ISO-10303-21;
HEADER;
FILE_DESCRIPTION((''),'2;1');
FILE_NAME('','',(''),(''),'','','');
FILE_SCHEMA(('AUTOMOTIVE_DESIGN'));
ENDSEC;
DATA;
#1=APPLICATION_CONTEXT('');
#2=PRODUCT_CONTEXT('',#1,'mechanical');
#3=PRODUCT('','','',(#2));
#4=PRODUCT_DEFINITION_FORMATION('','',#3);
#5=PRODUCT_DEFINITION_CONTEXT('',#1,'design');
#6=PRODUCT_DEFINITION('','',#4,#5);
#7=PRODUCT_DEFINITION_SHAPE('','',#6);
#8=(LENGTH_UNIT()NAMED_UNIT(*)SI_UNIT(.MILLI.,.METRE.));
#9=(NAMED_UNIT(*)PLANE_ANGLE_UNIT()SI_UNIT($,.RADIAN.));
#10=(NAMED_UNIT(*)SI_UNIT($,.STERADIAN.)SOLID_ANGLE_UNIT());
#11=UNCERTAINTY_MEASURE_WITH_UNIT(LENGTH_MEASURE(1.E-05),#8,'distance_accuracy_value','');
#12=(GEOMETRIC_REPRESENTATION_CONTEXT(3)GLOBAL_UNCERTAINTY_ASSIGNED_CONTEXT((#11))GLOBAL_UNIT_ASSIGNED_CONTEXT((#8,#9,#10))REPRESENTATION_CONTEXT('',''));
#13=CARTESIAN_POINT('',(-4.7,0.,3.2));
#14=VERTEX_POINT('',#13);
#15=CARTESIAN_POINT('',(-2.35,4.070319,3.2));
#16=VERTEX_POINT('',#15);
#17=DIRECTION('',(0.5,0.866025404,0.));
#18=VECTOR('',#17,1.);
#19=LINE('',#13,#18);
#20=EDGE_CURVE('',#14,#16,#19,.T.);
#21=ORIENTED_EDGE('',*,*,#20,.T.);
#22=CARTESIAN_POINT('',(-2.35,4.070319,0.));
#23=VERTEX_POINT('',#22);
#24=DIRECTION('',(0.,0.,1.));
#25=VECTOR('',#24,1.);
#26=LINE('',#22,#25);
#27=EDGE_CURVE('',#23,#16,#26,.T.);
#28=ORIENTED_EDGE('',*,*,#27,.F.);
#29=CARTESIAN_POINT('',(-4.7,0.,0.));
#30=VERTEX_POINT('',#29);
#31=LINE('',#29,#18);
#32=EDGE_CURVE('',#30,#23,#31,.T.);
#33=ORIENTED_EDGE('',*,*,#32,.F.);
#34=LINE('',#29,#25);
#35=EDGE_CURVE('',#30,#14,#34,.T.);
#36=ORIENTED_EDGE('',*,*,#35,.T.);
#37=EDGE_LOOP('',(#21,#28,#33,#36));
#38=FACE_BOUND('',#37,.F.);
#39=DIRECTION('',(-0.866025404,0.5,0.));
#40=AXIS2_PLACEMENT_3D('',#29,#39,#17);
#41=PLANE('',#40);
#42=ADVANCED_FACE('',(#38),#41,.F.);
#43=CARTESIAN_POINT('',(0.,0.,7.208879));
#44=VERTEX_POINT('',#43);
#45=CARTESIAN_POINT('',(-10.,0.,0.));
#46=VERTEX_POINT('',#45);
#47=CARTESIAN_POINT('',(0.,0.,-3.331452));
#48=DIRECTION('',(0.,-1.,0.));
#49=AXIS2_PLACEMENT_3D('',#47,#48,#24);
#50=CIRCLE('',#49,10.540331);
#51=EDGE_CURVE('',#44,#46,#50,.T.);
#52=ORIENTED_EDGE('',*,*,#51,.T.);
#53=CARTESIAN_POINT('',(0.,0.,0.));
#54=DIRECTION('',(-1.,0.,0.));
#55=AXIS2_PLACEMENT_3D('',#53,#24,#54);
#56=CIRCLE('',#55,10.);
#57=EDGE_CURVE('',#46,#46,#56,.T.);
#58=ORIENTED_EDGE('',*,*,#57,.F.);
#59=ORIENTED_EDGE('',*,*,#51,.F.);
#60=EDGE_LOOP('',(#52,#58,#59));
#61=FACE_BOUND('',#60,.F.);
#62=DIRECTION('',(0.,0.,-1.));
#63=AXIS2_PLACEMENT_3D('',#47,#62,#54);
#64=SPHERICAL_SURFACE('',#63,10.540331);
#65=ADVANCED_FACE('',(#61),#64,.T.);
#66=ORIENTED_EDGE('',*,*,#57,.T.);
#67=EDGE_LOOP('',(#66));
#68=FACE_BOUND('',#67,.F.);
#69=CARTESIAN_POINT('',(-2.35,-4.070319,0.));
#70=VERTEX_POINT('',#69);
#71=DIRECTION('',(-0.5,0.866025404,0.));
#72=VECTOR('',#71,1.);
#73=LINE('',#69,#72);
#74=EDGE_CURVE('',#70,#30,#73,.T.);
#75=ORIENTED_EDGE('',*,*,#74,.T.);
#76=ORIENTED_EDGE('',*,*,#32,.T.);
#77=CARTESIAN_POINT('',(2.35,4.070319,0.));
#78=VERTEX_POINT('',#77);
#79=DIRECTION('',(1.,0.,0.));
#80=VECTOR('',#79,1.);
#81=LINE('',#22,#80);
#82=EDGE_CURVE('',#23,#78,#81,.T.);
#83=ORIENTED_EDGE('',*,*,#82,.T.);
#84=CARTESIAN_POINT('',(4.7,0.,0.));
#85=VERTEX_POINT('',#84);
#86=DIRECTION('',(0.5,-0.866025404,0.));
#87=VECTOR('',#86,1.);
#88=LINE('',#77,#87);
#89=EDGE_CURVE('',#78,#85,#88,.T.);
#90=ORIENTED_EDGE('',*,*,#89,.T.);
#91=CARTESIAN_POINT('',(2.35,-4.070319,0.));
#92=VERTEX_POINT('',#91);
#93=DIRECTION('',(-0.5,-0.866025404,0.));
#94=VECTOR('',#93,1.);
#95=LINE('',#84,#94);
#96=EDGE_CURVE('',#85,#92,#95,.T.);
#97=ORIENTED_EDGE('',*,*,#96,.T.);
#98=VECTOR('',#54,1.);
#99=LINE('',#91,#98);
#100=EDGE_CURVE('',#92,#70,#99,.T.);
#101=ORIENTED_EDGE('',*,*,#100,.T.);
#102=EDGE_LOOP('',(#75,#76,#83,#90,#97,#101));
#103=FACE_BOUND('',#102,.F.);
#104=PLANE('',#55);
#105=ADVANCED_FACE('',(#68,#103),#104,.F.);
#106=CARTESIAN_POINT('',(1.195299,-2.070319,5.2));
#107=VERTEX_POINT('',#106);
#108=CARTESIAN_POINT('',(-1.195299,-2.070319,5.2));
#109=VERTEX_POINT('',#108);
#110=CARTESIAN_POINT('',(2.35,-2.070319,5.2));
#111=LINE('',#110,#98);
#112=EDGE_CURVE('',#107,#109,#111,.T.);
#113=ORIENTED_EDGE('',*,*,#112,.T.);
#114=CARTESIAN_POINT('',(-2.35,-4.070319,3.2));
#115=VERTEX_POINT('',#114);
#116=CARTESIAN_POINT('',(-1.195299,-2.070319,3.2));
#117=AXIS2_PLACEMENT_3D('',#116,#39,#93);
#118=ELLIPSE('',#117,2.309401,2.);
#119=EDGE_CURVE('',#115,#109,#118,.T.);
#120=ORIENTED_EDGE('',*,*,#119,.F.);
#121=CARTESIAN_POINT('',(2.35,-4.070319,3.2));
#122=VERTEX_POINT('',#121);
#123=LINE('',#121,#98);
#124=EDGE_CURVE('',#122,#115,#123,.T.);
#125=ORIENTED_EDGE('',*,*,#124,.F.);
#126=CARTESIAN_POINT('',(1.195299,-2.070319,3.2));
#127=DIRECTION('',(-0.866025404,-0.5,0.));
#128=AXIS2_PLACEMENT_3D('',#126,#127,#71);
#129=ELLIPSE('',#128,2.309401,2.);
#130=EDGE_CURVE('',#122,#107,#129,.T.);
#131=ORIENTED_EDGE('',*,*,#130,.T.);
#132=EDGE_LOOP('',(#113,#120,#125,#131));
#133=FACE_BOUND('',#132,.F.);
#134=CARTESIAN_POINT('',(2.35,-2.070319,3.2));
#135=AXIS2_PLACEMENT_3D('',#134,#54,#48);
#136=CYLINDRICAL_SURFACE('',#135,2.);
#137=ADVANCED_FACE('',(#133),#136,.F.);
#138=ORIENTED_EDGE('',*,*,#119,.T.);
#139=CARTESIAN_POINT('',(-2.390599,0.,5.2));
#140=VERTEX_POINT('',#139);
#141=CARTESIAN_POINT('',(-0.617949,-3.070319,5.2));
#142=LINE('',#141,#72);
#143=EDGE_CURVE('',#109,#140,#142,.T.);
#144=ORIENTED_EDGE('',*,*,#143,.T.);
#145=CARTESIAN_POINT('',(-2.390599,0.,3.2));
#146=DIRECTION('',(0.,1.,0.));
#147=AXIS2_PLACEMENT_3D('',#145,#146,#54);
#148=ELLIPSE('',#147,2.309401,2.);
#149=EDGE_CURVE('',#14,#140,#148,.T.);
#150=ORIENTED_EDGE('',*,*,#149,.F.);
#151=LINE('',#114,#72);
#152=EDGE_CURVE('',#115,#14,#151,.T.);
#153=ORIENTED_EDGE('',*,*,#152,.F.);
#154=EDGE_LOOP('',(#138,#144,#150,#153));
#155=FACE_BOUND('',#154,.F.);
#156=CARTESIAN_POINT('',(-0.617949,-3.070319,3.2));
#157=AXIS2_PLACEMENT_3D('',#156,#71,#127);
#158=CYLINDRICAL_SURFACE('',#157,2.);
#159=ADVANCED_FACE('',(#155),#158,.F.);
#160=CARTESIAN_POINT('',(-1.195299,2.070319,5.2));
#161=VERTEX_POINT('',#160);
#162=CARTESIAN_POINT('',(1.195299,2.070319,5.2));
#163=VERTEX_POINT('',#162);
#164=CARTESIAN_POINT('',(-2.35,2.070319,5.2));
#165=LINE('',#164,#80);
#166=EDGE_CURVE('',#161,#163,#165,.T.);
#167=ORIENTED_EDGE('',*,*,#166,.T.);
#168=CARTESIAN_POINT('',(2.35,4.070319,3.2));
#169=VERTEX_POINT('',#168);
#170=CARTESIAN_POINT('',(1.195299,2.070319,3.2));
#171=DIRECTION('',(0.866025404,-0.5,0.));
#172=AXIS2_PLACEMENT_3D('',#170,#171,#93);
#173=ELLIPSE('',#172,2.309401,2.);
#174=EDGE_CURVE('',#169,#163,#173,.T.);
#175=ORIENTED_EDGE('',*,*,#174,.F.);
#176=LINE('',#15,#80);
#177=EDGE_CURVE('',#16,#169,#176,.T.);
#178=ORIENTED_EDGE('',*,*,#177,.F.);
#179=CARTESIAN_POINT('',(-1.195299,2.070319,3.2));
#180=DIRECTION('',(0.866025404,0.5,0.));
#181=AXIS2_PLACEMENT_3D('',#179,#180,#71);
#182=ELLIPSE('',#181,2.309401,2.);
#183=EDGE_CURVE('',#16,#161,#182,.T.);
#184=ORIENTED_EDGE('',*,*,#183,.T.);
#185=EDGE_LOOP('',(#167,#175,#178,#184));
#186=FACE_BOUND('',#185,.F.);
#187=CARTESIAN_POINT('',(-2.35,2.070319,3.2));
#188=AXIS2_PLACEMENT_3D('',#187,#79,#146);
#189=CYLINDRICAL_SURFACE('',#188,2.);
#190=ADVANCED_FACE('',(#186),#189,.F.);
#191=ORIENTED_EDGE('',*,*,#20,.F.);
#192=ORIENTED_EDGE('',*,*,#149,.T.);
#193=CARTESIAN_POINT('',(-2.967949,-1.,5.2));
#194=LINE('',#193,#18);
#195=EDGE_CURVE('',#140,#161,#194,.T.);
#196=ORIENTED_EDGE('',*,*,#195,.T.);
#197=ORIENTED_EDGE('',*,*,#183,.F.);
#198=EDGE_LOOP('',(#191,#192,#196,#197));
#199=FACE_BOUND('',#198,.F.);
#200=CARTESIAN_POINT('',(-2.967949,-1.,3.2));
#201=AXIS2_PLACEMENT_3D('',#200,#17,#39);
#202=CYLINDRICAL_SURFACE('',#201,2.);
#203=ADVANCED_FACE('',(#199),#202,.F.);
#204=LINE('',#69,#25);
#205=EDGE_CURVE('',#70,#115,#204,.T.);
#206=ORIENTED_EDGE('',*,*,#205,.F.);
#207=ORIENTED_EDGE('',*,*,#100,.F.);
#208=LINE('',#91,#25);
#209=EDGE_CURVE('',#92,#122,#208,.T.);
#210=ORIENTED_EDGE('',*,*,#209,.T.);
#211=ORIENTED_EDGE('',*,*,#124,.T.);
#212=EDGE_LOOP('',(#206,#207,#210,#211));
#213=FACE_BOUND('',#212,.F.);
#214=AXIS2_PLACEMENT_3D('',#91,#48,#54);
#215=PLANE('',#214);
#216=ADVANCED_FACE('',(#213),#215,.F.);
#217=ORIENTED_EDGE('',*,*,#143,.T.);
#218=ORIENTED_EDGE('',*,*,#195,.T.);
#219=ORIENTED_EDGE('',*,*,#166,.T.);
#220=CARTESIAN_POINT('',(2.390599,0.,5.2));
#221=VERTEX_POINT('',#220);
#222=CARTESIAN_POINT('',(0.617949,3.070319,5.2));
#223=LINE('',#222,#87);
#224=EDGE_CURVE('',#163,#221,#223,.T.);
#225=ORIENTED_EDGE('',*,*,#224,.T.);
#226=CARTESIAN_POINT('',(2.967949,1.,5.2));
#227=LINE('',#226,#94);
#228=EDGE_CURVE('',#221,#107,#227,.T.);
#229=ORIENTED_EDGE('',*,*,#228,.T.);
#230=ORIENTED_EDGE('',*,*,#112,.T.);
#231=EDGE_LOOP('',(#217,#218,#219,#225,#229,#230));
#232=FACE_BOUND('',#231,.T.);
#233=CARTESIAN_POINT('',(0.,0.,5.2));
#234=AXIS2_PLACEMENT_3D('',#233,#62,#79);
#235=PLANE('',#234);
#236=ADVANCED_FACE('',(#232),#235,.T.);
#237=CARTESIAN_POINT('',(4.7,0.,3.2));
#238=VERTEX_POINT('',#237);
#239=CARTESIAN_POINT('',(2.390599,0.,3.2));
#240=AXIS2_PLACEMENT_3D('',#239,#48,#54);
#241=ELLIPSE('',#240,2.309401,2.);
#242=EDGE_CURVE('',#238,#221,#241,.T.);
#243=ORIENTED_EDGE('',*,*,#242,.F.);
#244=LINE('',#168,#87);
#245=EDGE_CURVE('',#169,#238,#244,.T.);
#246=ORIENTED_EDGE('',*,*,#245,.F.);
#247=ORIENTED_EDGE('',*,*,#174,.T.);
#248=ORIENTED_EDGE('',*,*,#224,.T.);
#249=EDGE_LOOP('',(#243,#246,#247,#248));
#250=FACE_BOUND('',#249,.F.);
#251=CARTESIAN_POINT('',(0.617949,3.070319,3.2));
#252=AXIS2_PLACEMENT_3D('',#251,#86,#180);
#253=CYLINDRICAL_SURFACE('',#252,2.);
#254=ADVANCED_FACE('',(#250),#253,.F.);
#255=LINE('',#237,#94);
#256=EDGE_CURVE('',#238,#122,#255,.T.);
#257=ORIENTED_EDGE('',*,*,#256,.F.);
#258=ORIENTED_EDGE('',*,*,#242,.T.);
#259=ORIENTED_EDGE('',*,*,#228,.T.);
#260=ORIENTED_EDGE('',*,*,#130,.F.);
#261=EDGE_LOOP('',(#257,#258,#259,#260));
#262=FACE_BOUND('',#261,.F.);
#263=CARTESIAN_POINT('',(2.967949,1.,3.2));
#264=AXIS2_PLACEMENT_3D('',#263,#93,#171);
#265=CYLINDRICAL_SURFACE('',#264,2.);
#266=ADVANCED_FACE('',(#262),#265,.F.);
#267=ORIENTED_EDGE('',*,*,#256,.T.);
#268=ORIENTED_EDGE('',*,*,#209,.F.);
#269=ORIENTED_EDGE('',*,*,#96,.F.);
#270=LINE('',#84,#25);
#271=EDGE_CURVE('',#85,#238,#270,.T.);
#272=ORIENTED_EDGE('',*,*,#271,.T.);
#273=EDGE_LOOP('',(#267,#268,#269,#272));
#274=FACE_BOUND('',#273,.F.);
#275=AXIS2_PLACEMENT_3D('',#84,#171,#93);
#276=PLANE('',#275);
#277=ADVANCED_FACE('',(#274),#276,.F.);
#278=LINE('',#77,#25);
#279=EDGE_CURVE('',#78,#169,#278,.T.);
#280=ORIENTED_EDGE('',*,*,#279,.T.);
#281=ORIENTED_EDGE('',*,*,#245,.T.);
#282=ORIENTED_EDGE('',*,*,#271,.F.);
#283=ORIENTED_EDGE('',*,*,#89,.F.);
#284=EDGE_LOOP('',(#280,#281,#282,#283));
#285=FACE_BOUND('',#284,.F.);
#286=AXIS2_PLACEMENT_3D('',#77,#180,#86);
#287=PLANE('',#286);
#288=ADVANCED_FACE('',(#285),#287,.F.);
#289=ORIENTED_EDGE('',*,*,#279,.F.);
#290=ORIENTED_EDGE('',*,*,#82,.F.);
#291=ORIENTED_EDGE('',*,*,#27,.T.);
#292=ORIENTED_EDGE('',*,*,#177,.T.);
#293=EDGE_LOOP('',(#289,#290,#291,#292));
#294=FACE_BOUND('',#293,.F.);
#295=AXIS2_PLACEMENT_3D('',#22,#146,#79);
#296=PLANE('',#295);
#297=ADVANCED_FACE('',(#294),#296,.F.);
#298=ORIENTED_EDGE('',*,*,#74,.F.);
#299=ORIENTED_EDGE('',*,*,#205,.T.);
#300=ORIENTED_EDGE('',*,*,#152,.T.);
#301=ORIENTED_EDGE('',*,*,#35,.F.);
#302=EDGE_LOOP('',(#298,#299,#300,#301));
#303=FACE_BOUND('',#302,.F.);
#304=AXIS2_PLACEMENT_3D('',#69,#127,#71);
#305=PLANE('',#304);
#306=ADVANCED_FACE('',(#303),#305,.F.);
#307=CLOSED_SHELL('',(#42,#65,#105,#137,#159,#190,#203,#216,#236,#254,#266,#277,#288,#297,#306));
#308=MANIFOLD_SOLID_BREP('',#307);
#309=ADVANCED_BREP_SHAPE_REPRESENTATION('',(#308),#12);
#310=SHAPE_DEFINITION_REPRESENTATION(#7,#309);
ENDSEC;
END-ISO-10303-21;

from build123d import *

# Parameters (mm, degrees)
F4_DEPTH = 5.2
F5_R     = 2


with BuildPart() as f2:
    # F1 (on Front) → F2 (revolve)
    with BuildSketch(Plane.XZ):
        with BuildLine():
            ThreePointArc((0, 7.2088790199), (-6.1637637999, 5.2187873117), (-10, 0))
            Line((-10, 0), (0, 0))
            Line((0, 0), (0, 7.2088790199))
        make_face()
    revolve(axis=Axis((0, 0, 3.60443951), (0, 0, 1)))

    # F3 (on face) → F4 (cut)
    with BuildSketch(Plane(origin=(0, 0, 0), x_dir=(1, 0, 0), z_dir=(0, 0, -1))):
        Polygon((2.35, 4.0703193978), (-2.35, 4.0703193978), (-4.7, 0), (-2.35, -4.0703193978), (2.35, -4.0703193978), (4.7, 0), align=None)
    extrude(amount=-F4_DEPTH, mode=Mode.SUBTRACT)

    # F5
    f5_edges = [f2.edges().sort_by_distance(p)[0] for p in [
        (0, -4.070319, 5.2),
        (-3.525, -2.03516, 5.2),
        (3.525, -2.03516, 5.2),
        (3.525, 2.03516, 5.2),
        (-3.525, 2.03516, 5.2),
        (0, 4.070319, 5.2),
    ]]
    fillet(f5_edges, radius=F5_R)


solid = f2.part
